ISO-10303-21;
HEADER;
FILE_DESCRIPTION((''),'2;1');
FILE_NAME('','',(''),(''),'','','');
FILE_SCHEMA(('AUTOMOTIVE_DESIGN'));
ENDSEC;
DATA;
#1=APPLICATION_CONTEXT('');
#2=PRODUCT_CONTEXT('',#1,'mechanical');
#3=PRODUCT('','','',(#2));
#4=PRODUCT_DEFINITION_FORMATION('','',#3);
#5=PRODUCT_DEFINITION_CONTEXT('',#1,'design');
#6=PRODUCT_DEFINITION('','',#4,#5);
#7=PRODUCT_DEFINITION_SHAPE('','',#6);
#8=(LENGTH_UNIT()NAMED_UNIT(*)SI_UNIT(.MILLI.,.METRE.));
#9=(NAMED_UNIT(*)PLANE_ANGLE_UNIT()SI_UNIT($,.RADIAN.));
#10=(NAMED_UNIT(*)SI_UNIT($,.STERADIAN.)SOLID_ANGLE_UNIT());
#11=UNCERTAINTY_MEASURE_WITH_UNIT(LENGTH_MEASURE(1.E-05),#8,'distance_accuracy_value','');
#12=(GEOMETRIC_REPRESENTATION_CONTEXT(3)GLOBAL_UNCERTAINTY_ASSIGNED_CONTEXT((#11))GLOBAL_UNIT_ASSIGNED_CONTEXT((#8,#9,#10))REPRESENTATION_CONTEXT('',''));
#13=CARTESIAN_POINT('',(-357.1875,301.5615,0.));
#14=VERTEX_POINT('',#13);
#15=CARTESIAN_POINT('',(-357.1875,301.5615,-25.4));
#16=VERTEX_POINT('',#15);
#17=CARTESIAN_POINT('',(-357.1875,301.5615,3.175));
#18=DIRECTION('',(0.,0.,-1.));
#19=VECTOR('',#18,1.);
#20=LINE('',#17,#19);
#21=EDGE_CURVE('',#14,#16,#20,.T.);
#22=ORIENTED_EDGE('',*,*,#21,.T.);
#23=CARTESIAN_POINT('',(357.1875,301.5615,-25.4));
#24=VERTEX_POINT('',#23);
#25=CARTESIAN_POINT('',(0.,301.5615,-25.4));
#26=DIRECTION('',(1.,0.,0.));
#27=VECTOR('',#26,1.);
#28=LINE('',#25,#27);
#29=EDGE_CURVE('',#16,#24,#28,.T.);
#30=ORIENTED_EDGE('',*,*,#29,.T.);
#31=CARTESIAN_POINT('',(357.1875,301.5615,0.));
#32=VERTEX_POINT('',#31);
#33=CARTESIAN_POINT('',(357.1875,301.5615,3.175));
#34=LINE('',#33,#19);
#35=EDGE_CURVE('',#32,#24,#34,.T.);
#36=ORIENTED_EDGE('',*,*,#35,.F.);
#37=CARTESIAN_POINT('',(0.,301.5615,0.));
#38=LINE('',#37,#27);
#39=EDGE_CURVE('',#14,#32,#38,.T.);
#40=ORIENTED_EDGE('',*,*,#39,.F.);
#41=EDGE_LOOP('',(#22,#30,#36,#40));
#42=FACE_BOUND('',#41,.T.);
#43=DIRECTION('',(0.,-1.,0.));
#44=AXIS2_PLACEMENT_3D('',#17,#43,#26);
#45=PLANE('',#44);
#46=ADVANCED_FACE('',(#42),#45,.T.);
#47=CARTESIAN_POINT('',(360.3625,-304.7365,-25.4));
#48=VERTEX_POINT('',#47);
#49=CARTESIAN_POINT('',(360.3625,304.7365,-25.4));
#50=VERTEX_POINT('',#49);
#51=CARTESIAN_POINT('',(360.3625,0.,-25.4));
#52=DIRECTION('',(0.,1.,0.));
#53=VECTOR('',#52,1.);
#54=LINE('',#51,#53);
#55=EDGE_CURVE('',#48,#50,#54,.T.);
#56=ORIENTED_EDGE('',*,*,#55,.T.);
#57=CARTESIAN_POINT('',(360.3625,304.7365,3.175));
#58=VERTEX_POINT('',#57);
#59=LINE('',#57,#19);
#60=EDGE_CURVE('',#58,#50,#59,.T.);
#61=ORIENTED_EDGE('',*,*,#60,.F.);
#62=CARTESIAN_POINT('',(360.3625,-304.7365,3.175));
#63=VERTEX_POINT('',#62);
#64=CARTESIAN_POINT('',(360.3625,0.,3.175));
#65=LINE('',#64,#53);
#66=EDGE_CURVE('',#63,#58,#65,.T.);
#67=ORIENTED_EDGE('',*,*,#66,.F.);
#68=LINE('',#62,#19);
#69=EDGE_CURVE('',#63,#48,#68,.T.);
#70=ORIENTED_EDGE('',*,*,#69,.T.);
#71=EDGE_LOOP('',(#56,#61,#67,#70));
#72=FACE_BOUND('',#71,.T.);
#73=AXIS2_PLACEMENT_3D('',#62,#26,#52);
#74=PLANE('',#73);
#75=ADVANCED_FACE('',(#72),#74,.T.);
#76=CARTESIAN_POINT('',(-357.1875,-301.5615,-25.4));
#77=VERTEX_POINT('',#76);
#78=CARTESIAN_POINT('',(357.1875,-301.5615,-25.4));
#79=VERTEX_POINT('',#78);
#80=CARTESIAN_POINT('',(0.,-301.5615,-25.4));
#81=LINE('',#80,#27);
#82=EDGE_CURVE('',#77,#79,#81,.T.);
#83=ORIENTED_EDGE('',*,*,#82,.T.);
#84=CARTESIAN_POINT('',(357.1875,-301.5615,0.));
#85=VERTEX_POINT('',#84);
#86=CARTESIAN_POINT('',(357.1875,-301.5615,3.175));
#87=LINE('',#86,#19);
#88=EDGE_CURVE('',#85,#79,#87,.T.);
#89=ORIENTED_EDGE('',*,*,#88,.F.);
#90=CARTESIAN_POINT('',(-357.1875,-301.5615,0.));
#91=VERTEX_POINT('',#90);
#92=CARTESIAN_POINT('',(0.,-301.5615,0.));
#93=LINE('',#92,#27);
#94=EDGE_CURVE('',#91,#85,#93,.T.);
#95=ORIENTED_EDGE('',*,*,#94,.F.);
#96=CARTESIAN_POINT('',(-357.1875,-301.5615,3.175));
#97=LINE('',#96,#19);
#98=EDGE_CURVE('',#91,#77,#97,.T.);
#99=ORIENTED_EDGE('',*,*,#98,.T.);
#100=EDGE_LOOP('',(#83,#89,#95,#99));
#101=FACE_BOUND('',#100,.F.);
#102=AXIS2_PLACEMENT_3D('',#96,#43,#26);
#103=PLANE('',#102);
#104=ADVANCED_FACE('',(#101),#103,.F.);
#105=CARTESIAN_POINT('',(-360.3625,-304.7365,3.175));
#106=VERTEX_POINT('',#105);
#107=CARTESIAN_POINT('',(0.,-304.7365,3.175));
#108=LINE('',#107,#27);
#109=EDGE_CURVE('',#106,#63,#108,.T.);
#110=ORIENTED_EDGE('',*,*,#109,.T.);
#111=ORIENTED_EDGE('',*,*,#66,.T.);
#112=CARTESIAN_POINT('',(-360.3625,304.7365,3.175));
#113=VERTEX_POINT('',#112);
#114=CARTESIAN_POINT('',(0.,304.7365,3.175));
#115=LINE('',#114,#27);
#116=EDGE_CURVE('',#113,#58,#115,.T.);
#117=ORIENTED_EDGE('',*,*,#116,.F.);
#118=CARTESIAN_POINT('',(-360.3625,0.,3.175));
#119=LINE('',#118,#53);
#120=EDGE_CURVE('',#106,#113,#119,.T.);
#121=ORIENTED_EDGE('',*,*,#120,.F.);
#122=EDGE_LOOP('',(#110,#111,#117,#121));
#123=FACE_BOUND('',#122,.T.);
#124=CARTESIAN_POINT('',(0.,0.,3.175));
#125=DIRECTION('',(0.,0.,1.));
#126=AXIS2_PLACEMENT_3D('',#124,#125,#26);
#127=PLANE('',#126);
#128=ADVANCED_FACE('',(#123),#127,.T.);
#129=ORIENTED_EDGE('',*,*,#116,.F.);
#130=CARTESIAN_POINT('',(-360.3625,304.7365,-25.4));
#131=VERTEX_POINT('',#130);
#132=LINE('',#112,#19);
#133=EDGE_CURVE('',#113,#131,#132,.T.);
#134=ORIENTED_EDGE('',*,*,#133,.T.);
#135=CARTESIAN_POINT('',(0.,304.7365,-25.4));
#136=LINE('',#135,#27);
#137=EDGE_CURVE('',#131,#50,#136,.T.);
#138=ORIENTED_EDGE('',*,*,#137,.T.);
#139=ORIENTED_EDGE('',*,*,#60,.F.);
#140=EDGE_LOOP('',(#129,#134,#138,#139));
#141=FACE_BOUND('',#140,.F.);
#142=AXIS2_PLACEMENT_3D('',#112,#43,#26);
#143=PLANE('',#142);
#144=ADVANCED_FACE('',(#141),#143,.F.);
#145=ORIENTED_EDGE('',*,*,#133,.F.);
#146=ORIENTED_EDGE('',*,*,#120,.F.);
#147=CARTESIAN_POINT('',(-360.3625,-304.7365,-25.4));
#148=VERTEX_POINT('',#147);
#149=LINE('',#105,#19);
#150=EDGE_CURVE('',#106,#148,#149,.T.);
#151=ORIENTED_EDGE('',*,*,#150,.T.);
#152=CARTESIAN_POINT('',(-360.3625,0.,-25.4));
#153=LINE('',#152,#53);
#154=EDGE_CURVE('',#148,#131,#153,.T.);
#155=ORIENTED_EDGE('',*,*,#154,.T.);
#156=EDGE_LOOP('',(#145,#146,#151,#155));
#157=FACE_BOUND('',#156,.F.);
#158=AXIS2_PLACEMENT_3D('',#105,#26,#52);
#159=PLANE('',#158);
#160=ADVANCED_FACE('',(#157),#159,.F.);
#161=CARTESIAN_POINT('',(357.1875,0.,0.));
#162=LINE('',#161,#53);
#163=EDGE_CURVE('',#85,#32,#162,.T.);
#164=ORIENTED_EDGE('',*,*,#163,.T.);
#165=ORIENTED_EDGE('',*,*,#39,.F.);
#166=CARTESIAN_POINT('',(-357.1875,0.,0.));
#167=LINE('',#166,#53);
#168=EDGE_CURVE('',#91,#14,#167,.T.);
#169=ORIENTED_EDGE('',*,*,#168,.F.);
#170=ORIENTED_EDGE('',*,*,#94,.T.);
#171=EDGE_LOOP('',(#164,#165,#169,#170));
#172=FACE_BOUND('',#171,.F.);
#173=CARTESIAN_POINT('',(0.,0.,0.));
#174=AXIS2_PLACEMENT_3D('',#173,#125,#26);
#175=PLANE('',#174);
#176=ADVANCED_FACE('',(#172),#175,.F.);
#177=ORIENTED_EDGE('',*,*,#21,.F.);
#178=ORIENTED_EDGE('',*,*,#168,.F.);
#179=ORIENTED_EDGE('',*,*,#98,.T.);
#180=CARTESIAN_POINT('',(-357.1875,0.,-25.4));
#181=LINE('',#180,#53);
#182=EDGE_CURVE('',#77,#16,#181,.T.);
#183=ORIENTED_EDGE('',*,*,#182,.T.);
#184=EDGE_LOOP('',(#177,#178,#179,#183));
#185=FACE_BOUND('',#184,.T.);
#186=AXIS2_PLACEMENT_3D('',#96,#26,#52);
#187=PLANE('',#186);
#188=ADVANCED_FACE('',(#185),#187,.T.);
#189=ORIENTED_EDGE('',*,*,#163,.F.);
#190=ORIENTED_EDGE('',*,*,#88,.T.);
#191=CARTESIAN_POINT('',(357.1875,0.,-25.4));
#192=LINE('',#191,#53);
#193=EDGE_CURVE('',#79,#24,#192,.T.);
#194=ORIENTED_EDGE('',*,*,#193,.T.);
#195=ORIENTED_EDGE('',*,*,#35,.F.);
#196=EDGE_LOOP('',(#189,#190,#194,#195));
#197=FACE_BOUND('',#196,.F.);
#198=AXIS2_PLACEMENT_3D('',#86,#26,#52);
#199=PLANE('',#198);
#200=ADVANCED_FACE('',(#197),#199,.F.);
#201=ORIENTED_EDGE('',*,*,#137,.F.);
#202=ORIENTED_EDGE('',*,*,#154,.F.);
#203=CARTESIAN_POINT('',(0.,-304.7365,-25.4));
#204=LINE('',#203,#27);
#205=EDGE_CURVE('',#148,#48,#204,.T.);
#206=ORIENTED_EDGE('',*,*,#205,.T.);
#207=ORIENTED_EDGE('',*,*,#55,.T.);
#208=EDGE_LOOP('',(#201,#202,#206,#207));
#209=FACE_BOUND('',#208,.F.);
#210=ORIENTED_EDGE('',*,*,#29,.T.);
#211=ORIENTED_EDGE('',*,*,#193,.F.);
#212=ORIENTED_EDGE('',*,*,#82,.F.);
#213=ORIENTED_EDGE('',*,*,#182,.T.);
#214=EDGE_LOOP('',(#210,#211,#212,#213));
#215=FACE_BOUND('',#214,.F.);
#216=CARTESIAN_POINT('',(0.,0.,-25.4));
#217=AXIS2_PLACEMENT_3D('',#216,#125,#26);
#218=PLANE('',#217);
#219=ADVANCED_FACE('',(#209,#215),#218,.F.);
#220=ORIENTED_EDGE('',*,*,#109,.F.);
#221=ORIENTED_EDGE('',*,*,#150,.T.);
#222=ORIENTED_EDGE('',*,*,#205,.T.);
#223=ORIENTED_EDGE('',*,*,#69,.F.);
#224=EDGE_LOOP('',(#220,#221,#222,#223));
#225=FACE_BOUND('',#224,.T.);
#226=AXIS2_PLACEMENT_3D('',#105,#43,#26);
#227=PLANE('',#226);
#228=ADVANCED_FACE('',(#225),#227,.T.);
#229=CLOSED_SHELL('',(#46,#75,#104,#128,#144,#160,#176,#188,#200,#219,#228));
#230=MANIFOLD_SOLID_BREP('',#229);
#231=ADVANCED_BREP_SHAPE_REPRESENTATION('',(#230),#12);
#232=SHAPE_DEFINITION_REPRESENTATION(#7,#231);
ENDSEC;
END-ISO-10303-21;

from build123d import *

# Parameters (mm, degrees)
F0_W     = 714.375
F0_H     = 603.123
F1_DEPTH = 3.175
F2_W     = 720.725
F2_H     = 609.473
F2_W_2   = 714.375
F2_H_2   = 603.123
F3_DEPTH = 28.575


with BuildPart() as f1:
    # F0 (on Top) → F1 (new body)
    with BuildSketch(Plane.XY):
        Rectangle(F0_W, F0_H)
    extrude(amount=F1_DEPTH)

    # F2 (on face) → F3 (join)
    with BuildSketch(Plane.XY.offset(3.175)):
        Rectangle(F2_W, F2_H)
        Rectangle(F2_W_2, F2_H_2, mode=Mode.SUBTRACT)
    extrude(amount=-F3_DEPTH)


solid = f1.part
